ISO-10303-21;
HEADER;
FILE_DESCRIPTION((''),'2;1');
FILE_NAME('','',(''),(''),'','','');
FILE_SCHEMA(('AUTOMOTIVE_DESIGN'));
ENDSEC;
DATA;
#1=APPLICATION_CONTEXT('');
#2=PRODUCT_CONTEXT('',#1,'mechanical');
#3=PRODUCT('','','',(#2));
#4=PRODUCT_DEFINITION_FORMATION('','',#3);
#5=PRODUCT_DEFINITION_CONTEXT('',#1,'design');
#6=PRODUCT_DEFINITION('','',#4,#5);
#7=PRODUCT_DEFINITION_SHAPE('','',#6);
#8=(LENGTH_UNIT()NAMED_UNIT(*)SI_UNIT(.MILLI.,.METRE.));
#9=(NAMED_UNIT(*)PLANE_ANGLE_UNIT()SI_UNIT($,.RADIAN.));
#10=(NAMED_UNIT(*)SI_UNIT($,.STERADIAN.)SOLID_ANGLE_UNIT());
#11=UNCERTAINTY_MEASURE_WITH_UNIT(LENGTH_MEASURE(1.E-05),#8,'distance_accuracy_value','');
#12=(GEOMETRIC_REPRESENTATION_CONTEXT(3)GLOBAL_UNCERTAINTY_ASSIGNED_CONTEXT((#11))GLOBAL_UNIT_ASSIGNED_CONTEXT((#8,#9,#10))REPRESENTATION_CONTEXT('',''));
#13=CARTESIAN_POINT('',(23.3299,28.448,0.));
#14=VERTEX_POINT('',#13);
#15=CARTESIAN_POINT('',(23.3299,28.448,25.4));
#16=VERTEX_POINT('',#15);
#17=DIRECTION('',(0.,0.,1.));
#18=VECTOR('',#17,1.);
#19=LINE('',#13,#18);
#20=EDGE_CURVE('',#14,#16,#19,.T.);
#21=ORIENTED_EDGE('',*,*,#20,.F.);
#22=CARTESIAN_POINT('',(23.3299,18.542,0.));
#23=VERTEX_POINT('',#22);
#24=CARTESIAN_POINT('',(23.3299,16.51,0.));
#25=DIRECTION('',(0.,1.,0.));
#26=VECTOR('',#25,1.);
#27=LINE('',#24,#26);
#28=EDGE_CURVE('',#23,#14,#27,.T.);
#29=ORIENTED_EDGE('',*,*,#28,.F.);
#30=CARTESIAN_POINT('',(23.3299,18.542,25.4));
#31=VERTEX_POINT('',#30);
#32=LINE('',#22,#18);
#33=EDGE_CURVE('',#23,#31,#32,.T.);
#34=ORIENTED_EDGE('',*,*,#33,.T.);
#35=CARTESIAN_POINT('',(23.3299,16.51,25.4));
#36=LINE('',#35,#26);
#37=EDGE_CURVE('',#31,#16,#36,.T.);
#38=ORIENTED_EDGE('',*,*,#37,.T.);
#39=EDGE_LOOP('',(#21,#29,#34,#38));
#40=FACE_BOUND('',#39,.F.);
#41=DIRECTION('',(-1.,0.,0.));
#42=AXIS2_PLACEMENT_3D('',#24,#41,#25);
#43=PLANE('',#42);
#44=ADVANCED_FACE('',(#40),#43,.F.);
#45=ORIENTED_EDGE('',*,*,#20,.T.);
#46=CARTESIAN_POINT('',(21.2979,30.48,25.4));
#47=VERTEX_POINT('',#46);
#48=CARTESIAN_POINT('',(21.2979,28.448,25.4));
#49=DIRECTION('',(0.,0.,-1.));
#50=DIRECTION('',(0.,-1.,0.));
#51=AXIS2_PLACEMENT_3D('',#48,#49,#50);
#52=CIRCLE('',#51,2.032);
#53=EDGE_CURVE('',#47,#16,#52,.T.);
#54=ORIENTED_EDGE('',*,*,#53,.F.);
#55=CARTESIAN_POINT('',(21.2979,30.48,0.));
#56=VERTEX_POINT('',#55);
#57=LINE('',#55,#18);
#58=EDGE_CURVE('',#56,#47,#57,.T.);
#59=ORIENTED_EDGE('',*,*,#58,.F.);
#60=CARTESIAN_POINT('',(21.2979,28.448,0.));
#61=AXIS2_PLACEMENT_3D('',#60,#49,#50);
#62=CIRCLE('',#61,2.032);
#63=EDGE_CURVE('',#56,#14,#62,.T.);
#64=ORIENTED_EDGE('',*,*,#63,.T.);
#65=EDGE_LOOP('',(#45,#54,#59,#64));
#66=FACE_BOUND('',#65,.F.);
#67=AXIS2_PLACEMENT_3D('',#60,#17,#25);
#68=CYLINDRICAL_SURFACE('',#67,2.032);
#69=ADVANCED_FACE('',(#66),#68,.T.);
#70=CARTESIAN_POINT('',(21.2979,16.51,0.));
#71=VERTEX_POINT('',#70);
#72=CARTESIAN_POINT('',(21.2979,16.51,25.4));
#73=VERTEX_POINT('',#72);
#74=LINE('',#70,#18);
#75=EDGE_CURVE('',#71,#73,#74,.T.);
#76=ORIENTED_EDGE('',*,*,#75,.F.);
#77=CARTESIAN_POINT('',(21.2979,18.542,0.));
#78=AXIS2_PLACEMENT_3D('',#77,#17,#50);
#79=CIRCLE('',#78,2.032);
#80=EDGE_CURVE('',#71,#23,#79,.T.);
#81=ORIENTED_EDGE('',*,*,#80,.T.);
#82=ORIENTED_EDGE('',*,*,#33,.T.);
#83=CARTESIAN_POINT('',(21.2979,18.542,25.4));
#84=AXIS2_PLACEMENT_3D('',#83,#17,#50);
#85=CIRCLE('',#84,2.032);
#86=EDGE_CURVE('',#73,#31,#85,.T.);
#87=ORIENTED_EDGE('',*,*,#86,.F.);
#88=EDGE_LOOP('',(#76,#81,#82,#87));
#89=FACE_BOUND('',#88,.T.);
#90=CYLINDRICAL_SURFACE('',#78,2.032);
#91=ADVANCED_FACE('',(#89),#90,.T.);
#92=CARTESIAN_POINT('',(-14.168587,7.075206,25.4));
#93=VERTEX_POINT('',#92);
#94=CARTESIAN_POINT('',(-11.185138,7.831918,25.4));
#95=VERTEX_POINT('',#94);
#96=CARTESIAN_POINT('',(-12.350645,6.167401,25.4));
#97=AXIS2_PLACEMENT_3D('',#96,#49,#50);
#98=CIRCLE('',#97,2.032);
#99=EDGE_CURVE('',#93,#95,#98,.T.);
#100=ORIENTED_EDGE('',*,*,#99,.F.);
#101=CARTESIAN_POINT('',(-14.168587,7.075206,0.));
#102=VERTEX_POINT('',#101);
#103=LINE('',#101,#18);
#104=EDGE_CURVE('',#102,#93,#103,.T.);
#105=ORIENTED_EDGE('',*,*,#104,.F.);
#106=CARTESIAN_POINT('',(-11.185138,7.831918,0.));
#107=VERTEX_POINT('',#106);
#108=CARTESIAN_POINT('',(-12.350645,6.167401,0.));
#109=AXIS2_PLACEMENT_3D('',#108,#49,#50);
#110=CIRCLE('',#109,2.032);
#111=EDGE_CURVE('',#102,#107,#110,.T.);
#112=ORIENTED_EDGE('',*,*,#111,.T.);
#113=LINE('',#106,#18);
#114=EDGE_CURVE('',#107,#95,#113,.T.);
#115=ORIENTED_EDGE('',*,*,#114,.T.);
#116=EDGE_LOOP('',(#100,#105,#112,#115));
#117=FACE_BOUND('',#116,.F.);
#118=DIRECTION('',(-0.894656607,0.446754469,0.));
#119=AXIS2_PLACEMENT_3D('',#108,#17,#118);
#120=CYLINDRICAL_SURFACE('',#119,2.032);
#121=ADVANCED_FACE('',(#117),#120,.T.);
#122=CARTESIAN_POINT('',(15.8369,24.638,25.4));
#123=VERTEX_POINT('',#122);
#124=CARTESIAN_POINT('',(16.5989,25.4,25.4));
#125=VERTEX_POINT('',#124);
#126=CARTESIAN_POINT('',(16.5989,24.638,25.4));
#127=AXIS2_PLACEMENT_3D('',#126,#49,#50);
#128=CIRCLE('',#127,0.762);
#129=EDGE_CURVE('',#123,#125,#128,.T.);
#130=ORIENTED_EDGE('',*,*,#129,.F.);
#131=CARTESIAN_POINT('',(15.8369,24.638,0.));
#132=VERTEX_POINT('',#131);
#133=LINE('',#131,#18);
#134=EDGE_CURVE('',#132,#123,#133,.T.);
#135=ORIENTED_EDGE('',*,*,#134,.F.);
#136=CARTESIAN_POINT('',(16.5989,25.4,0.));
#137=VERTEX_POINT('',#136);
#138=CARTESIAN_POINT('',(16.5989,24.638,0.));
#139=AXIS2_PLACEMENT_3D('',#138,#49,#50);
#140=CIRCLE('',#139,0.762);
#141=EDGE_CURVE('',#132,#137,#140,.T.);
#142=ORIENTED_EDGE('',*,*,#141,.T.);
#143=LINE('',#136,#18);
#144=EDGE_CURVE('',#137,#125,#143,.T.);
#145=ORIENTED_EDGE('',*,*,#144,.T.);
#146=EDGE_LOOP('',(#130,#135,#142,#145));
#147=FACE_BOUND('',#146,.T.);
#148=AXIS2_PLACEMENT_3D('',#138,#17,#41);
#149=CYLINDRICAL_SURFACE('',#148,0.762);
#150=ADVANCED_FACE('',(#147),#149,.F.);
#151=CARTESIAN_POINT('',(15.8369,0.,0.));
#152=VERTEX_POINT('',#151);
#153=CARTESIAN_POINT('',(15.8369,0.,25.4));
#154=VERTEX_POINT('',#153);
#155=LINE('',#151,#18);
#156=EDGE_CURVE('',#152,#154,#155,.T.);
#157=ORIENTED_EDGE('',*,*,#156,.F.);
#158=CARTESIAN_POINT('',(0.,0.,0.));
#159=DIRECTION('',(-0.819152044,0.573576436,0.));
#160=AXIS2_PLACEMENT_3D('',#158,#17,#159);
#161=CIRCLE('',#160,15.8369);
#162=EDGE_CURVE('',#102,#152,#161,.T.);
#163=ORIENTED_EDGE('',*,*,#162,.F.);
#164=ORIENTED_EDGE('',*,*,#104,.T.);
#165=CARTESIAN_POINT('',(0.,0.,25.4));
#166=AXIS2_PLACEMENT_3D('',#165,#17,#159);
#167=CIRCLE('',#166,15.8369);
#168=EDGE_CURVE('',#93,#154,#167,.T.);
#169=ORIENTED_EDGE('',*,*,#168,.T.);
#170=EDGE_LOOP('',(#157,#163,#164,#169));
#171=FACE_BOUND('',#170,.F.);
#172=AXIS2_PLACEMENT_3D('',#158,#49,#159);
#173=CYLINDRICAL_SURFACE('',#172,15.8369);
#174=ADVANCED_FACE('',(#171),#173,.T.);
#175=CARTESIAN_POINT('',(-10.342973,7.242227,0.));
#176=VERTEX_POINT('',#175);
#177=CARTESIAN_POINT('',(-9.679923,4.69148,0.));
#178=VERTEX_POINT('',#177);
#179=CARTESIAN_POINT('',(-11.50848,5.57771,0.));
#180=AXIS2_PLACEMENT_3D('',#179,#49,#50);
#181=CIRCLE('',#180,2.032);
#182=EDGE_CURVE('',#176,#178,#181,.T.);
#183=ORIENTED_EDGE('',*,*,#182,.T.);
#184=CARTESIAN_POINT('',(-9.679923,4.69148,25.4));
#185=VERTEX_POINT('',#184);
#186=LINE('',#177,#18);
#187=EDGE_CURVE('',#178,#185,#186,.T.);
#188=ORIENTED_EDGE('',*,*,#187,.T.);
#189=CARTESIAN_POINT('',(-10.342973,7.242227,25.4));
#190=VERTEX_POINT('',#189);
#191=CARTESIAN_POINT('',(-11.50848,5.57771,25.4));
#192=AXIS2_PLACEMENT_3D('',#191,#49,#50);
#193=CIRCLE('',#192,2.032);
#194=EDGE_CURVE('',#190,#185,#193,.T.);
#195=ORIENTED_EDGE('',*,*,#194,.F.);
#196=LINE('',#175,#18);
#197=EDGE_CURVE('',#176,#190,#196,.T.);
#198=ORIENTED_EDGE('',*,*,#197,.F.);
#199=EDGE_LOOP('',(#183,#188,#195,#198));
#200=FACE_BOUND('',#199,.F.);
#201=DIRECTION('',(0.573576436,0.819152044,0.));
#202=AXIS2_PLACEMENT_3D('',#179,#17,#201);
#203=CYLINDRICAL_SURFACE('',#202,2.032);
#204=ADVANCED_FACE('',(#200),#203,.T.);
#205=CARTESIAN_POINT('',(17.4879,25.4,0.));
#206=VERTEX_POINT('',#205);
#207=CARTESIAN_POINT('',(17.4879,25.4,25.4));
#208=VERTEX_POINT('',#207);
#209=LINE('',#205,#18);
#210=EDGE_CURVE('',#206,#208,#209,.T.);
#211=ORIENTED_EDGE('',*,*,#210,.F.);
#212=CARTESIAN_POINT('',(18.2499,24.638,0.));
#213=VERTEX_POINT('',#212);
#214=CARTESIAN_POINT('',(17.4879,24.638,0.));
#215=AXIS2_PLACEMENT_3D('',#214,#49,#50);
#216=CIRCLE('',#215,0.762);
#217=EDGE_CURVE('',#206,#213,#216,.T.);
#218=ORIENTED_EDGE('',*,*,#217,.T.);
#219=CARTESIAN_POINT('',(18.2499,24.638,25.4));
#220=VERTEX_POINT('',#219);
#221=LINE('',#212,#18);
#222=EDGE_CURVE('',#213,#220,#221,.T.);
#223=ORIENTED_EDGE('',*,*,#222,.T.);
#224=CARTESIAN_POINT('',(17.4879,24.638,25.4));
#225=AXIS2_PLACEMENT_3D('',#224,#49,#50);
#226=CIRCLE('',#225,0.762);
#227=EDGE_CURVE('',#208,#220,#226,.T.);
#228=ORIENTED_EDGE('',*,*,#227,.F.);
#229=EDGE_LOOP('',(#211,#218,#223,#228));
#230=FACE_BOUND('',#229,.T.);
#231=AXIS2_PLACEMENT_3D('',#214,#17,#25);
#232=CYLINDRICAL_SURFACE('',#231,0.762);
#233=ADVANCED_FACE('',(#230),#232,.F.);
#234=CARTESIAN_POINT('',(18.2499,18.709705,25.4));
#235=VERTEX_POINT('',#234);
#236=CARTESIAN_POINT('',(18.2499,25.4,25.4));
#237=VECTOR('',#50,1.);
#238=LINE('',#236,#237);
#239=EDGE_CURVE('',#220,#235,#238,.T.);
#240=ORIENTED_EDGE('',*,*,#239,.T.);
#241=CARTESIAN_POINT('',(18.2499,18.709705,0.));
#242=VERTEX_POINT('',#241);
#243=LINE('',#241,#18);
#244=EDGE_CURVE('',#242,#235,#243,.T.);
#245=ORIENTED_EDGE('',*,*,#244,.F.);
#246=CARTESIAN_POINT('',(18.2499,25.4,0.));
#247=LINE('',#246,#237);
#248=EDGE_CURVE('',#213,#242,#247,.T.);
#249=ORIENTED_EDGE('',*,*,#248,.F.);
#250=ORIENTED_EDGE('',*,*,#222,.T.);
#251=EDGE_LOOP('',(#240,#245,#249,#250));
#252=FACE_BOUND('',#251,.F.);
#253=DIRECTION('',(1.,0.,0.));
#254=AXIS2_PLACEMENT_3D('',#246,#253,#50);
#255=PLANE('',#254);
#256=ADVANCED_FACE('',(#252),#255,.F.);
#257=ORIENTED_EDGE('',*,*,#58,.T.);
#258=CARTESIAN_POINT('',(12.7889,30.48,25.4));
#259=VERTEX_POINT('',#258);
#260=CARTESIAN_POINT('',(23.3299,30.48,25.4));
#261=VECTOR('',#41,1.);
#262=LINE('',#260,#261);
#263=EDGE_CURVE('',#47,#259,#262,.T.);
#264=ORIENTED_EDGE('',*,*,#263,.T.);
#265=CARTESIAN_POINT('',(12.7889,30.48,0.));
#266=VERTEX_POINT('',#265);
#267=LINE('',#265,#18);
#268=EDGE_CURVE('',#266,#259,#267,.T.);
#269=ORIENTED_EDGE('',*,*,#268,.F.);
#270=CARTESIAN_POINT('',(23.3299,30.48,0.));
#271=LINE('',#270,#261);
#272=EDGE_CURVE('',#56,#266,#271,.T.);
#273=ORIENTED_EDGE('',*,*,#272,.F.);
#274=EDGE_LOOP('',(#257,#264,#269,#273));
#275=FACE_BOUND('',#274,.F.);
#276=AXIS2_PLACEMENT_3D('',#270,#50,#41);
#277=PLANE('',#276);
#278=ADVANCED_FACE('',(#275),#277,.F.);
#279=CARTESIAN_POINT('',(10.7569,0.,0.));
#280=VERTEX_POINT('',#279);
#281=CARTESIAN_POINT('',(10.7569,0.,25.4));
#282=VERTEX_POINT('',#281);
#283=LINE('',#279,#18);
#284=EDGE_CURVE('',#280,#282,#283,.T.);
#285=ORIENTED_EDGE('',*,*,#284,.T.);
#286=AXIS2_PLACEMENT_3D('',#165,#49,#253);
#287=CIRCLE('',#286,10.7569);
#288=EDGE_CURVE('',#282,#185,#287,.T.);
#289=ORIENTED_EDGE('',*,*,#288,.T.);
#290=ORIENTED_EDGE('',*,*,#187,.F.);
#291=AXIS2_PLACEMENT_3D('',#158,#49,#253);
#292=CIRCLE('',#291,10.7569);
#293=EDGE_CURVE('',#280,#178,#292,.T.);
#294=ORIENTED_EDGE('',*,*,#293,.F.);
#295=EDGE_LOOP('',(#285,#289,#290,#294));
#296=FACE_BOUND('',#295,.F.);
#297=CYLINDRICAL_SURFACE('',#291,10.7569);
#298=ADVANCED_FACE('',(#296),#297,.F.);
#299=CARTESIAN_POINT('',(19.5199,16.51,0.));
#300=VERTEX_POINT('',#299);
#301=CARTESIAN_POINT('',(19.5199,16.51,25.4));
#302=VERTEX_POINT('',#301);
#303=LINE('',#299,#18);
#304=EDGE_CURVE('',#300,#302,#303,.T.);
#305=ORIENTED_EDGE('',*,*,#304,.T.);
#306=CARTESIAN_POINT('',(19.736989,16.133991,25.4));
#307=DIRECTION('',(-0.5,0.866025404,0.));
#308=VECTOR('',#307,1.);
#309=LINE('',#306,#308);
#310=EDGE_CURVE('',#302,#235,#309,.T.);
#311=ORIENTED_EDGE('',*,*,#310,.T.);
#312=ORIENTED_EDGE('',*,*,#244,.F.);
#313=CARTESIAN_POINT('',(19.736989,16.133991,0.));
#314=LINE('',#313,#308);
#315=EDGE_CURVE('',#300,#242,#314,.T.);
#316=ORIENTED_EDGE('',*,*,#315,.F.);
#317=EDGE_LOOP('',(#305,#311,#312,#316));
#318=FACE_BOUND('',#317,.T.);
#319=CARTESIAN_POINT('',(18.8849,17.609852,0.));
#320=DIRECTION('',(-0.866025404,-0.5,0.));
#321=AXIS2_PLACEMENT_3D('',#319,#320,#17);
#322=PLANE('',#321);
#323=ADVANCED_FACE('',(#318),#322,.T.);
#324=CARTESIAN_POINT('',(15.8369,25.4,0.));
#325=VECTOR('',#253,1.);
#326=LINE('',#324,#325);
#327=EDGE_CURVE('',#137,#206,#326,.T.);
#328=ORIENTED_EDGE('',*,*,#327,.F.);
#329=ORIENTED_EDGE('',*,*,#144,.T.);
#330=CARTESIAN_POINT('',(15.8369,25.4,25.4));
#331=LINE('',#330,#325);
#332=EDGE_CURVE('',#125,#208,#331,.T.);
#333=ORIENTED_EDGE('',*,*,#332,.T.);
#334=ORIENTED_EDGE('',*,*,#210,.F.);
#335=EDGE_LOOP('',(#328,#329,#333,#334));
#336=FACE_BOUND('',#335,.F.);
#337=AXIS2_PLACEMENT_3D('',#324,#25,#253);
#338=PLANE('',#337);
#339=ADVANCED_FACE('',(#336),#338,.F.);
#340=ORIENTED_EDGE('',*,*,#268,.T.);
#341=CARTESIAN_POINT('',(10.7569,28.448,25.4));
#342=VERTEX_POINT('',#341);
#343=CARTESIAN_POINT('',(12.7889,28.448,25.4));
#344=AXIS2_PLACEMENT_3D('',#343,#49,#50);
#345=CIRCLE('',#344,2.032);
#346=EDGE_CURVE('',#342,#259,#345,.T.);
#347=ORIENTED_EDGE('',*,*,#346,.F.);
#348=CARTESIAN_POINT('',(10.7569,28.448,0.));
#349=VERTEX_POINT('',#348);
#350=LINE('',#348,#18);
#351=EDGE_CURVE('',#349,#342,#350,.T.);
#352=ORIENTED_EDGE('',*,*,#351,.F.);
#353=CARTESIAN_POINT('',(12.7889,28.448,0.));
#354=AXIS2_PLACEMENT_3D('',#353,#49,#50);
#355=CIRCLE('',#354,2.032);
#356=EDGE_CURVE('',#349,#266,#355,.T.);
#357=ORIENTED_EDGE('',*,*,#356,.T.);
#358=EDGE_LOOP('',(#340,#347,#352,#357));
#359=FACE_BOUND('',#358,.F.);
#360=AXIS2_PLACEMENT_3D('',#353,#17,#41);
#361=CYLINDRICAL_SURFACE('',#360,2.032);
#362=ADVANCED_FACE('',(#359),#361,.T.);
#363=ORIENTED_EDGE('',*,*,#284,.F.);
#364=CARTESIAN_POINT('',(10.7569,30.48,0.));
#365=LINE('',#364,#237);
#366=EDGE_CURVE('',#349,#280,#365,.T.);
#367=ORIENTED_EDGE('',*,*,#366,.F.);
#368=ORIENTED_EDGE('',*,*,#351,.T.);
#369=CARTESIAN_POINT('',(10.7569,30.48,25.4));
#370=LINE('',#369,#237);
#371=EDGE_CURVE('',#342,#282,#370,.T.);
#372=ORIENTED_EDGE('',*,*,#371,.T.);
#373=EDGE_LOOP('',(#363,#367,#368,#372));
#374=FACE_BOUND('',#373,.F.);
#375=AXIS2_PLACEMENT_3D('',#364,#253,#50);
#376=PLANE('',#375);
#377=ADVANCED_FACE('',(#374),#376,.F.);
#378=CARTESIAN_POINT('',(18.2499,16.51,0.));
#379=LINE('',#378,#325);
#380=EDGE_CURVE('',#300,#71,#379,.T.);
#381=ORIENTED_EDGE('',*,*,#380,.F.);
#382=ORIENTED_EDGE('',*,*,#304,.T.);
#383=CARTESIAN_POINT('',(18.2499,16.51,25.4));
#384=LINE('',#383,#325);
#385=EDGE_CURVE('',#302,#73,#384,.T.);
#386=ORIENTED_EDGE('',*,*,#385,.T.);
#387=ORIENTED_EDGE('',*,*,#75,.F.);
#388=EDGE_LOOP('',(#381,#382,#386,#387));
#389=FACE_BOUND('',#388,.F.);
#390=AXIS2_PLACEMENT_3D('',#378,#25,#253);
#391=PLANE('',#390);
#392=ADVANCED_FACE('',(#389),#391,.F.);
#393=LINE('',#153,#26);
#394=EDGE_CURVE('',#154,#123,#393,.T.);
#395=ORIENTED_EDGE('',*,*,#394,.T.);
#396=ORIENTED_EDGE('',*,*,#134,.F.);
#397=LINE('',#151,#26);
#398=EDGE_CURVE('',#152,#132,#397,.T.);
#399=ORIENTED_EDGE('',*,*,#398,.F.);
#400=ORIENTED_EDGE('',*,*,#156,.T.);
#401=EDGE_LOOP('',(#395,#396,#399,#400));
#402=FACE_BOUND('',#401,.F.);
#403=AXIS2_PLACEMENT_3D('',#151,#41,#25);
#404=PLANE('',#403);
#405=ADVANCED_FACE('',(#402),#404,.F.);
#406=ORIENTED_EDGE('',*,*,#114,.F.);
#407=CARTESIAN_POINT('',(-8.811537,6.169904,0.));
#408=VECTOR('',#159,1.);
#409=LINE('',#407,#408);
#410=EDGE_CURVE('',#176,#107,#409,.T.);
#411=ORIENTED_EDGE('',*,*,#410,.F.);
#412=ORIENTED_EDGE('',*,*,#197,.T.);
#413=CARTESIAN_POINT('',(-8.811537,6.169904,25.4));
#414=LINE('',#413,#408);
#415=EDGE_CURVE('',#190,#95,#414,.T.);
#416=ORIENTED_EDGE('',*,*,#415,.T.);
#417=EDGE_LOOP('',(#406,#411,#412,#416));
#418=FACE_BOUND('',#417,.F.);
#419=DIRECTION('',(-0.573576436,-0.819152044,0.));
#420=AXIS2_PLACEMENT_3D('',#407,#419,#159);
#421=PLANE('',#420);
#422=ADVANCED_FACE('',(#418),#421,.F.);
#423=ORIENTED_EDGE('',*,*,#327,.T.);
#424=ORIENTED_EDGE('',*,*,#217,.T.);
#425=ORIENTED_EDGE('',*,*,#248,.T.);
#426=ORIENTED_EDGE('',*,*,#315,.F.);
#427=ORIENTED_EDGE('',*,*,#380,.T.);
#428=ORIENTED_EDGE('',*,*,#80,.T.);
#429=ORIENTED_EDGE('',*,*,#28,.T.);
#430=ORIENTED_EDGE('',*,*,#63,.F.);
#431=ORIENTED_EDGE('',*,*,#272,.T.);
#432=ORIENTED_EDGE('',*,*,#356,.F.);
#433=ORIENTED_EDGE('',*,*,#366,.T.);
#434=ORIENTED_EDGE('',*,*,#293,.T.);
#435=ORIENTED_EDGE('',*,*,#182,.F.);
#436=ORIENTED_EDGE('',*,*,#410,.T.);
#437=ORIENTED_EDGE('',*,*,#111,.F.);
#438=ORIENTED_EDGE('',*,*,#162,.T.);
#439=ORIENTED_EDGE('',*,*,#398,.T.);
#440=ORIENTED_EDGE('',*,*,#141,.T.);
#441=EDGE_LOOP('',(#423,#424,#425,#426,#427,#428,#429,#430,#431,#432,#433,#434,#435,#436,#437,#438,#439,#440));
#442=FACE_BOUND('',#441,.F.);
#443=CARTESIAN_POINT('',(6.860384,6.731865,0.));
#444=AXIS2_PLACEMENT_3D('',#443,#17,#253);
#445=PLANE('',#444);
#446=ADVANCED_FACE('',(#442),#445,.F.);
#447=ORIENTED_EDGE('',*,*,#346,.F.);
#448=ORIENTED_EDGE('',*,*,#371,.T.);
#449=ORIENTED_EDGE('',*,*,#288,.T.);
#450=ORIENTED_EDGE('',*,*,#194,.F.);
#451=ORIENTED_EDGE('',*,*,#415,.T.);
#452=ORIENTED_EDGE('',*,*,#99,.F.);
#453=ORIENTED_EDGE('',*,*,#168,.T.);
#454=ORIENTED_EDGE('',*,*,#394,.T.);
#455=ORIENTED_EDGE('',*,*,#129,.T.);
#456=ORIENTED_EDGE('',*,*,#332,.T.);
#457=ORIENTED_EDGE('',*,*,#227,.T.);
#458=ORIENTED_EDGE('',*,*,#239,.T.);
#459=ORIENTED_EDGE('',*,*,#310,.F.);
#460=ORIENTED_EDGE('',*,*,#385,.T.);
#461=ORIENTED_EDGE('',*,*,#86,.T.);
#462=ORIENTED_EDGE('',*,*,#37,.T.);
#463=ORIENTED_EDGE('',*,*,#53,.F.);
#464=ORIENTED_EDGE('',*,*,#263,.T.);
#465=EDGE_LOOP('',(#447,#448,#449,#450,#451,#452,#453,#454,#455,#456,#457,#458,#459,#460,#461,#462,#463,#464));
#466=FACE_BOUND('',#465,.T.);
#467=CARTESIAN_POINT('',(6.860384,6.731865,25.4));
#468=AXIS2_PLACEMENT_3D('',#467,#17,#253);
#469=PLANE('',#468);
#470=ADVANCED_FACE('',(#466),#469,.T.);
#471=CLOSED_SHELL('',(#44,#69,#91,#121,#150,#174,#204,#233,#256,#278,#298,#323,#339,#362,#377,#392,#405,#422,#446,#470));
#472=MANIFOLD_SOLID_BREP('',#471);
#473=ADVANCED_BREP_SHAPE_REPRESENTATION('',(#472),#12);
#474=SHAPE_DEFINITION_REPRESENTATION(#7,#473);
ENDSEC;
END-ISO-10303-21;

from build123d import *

# Parameters (mm, degrees)
F1_DEPTH = 25.4
F2_R     = 0.762
F3_R     = 2.032
F4_SIZE2 = 2.1997045256
F4_SIZE  = 1.27


with BuildPart() as f1:
    # F0 (on Top) → F1 (new body)
    with BuildSketch(Plane.XY):
        with BuildLine():
            ThreePointArc((10.7569, 0), (-3.2346622147, -10.2590378675), (-8.8115366252, 6.1699043682))
            Line((-8.8115366252, 6.1699043682), (-12.9728290102, 9.0836726648))
            ThreePointArc((-12.9728290102, 9.0836726648), (-4.7622476762, -15.1039199773), (15.8369, 0))
            Line((15.8369, 0), (15.8369, 25.4))
            Line((15.8369, 25.4), (18.2499, 25.4))
            Line((18.2499, 25.4), (18.2499, 16.51))
            Line((18.2499, 16.51), (23.3299, 16.51))
            Line((23.3299, 16.51), (23.3299, 30.48))
            Line((23.3299, 30.48), (10.7569, 30.48))
            Line((10.7569, 30.48), (10.7569, 0))
        make_face()
    extrude(amount=F1_DEPTH)

    # F2
    f2_edges = [f1.edges().sort_by_distance(p)[0] for p in [
        (15.8369, 25.4, 12.7),
        (18.2499, 25.4, 12.7),
    ]]
    fillet(f2_edges, radius=F2_R)

    # F3
    f3_edges = [f1.edges().sort_by_distance(p)[0] for p in [
        (23.3299, 16.51, 12.7),
        (23.3299, 30.48, 12.7),
        (10.7569, 30.48, 12.7),
        (-8.811537, 6.169904, 12.7),
        (-12.972829, 9.083673, 12.7),
    ]]
    fillet(f3_edges, radius=F3_R)

    # F4
    f4_edges = [f1.edges().sort_by_distance(p)[0] for p in [
        (18.2499, 16.51, 12.7),
    ]]
    f4_side = f1.faces().sort_by_distance((19.7739, 16.51, 12.7))[0]
    chamfer(f4_edges, length=F4_SIZE, length2=F4_SIZE2, reference=f4_side)


solid = f1.part
